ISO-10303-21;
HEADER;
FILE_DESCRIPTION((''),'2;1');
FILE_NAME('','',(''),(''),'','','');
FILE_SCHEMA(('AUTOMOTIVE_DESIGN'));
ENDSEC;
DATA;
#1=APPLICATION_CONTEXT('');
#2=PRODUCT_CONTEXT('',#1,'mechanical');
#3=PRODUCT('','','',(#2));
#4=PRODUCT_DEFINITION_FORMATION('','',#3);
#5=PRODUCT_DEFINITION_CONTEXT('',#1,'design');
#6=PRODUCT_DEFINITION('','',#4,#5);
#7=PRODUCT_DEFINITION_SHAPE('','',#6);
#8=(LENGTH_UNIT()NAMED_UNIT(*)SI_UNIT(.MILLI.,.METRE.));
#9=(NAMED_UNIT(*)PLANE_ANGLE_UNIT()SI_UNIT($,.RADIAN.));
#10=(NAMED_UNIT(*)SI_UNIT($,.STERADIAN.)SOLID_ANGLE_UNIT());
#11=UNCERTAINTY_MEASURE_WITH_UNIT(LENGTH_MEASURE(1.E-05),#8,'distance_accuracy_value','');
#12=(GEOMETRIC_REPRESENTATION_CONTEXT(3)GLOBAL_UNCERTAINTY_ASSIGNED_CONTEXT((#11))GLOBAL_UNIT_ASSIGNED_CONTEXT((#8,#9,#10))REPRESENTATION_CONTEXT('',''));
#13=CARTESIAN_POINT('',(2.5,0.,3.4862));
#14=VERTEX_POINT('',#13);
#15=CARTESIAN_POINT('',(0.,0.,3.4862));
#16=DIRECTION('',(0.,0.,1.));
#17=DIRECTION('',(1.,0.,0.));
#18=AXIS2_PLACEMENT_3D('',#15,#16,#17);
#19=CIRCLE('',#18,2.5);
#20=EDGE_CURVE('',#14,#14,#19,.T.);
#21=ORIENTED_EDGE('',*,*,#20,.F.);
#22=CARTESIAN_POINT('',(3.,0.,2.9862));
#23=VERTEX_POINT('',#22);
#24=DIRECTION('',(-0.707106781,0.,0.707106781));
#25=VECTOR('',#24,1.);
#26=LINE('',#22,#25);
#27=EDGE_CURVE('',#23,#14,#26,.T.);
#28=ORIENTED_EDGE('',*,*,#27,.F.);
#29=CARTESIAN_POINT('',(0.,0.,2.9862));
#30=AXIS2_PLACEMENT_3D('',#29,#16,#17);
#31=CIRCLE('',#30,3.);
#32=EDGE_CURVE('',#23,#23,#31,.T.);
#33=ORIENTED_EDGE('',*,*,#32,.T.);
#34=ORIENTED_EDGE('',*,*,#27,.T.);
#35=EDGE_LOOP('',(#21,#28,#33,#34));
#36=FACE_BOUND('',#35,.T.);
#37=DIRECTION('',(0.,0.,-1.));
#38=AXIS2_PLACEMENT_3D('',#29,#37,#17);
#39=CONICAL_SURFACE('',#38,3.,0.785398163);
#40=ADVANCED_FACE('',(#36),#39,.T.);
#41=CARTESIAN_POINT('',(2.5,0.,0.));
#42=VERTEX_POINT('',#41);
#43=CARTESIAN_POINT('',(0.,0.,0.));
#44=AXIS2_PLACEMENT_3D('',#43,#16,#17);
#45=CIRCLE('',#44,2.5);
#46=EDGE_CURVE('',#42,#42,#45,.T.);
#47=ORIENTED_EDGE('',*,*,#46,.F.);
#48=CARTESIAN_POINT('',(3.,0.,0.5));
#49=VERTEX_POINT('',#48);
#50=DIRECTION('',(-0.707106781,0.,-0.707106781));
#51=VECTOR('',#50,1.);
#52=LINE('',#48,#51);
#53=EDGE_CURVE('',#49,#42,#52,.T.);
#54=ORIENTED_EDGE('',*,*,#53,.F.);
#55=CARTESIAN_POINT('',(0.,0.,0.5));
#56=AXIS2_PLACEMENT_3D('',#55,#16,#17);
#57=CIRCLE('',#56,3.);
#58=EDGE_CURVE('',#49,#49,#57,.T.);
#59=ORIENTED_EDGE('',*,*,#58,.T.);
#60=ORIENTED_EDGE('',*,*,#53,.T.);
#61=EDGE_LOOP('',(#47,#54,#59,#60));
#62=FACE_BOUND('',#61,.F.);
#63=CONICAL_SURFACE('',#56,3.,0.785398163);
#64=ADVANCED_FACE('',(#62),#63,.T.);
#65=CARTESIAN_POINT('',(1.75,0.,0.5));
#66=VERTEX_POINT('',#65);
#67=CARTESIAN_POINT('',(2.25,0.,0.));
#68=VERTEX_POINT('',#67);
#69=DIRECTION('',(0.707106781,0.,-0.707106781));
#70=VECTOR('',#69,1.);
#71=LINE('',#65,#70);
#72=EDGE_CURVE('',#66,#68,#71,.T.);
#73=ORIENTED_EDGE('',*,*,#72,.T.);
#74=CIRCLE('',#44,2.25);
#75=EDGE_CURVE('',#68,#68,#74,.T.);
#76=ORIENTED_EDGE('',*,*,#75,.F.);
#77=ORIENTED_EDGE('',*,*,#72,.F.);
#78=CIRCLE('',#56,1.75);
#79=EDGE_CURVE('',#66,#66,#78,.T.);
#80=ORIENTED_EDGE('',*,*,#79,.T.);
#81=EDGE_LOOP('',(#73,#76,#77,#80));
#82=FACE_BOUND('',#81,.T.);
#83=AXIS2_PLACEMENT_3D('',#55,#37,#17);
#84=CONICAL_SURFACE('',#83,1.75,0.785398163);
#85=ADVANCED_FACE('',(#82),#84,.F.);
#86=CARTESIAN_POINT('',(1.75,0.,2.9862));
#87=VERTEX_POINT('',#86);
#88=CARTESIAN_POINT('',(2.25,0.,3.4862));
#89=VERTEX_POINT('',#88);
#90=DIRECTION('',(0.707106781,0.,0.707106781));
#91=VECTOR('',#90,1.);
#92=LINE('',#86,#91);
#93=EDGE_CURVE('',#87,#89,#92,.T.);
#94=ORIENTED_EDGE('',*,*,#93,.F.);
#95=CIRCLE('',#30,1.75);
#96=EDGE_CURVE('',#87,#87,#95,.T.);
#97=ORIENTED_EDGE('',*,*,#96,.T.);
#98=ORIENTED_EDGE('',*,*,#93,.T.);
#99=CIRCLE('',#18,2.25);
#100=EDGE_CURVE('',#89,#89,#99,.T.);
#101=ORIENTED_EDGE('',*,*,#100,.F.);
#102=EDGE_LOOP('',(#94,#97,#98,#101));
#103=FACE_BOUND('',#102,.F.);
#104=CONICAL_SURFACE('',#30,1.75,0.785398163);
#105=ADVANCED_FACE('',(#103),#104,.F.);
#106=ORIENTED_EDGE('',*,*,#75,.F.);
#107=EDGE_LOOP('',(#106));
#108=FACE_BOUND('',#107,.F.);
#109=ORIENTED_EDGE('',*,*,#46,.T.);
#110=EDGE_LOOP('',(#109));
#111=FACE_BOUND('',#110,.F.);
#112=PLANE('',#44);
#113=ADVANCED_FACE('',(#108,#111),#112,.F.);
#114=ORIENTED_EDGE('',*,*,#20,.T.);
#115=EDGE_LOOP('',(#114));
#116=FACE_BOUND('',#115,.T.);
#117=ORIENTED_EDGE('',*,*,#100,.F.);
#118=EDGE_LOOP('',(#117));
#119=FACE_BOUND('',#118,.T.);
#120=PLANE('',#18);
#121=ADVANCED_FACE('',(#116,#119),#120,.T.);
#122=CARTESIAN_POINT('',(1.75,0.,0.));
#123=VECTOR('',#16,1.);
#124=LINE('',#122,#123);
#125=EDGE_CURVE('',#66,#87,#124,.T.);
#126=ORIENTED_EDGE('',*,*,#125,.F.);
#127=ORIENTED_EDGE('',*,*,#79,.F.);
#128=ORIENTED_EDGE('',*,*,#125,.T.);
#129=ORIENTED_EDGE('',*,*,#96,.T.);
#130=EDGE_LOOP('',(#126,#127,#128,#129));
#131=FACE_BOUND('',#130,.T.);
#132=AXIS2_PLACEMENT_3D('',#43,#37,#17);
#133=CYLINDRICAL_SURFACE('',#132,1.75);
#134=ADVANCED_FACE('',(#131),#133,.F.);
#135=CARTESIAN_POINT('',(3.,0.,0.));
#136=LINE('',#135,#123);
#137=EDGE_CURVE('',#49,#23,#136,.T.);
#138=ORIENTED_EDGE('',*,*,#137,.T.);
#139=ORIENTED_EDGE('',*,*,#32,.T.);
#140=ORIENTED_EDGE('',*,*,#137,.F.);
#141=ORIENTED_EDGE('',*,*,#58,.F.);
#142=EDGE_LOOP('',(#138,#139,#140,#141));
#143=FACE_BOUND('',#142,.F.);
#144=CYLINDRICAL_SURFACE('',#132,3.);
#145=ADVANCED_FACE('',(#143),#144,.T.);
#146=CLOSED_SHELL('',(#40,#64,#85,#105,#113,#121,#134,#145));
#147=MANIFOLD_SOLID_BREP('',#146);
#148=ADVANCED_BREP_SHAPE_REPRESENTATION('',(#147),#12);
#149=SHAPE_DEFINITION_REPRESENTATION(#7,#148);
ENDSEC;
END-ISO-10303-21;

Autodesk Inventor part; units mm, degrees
ref_plane "YZ Plane" through (0, 0, 0) normal (1, 0, 0) x (0, 1, 0)
ref_plane "XZ Plane" through (0, 0, 0) normal (0, 1, 0) x (-1, 0, 0)
ref_plane "XY Plane" through (0, 0, 0) normal (0, 0, 1) x (1, 0, 0)
sketch "草图1" plane through (0, 0, 0) normal (0, 0, 1) x (1, 0, 0)
  circle A0 centre (0, 0) radius 3
  circle A1 centre (0, 0) radius 1.75
extrude "拉伸1" add sketch "草图1" along normal blind 3.4862
chamfer "倒角1" distance 0.5 angle 45 4 edges at (-1.75, 0, 3.4862) (-1.75, 0, 0) (-3, 0, 3.4862) (-3, 0, 0)
properties part number "my_attempt_v2"
